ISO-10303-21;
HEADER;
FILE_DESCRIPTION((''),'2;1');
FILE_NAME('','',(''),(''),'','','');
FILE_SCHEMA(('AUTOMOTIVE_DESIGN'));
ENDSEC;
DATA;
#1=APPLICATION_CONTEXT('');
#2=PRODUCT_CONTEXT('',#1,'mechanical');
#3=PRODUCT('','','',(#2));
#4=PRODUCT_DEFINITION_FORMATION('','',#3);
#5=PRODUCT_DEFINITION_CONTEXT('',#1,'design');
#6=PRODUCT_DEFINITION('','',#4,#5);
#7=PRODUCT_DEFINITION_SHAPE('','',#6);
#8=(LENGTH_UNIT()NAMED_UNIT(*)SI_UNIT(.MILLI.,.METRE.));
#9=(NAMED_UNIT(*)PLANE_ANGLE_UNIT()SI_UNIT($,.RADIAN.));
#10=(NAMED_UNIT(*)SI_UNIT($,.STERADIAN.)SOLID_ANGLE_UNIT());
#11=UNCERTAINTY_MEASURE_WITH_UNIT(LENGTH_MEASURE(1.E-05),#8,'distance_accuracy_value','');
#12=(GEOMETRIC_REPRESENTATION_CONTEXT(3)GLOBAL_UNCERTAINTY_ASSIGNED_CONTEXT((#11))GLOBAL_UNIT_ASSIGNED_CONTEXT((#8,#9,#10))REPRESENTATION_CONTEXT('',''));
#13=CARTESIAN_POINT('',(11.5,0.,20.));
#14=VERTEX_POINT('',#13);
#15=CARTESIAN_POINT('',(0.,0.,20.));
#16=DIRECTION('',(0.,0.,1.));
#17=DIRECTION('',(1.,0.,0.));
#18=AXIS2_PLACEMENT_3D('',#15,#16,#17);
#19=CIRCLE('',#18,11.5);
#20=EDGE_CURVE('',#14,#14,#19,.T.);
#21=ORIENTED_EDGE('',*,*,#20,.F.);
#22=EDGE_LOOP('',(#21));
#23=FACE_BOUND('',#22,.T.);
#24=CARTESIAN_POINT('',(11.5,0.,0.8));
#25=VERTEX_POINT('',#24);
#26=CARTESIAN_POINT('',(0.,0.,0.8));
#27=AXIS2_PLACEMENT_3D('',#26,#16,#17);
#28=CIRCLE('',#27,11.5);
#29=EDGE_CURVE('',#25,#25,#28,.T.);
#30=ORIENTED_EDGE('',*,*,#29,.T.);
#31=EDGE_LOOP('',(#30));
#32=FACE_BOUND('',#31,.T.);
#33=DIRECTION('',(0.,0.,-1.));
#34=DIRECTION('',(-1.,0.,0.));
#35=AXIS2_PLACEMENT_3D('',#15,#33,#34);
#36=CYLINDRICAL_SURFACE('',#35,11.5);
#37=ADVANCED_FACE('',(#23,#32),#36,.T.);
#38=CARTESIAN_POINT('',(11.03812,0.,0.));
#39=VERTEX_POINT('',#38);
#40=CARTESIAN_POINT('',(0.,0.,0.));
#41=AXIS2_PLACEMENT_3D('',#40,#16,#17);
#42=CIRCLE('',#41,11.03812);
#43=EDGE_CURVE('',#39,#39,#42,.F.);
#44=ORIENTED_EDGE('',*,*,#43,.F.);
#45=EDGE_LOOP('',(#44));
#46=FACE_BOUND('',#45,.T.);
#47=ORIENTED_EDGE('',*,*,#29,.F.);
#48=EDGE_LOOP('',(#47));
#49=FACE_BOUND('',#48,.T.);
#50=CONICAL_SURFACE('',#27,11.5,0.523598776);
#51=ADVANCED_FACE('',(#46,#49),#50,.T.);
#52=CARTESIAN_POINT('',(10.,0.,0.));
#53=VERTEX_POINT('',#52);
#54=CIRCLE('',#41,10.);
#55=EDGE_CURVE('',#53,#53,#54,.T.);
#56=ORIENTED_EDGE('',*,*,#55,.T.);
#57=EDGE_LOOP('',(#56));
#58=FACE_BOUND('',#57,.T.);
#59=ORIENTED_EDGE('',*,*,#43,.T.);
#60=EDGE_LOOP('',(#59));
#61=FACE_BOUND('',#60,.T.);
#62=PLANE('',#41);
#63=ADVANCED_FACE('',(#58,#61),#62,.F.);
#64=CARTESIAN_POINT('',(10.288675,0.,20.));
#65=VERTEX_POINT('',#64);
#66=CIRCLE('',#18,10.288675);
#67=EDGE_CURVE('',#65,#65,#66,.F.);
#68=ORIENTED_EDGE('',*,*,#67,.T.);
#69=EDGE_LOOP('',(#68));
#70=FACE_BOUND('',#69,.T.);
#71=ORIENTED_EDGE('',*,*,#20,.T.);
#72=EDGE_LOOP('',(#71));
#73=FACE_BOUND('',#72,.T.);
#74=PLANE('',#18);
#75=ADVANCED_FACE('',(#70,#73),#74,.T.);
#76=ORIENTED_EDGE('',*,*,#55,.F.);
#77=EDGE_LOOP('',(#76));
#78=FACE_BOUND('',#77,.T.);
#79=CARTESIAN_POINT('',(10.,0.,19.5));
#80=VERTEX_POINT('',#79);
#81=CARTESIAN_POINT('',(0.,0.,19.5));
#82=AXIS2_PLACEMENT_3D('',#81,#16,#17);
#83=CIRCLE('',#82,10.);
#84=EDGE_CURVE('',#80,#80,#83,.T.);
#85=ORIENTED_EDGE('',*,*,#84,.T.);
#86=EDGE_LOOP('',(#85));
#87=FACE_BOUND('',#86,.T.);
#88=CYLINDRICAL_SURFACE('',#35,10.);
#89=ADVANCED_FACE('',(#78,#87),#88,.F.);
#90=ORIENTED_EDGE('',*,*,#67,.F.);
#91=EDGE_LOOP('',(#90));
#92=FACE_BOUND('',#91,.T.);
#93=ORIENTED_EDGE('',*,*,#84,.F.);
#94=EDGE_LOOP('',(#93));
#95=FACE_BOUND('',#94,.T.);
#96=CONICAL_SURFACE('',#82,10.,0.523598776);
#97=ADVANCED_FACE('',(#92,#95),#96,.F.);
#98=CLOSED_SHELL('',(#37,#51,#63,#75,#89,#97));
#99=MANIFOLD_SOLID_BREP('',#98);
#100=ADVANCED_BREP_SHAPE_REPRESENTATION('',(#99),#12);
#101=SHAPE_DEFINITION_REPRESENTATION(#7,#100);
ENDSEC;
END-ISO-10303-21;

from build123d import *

# Parameters (mm, degrees)
SKICA1_R        = 11.5
SKICA1_R_2      = 10
VYSUNOUT1_DEPTH = 20
ZKOSIT1_SIZE    = 0.5
ZKOSIT1_SIZE2   = 0.288675135
ZKOSIT2_SIZE    = 0.461880215
ZKOSIT2_SIZE2   = 0.8


with BuildPart() as part:
    # Skica1 → Vysunout1 (new body)
    with BuildSketch(Plane.XY):
        Circle(SKICA1_R)
        Circle(SKICA1_R_2, mode=Mode.SUBTRACT)
    extrude(amount=VYSUNOUT1_DEPTH)

    # Zkosit1
    zkosit1_edges = [part.edges().sort_by_distance(p)[0] for p in [
        (-10, 0, 20),
    ]]
    zkosit1_side = [part.faces().sort_by_distance(p)[0] for p in [
        (-10, 0, 10),
    ]]
    chamfer(zkosit1_edges, length=ZKOSIT1_SIZE, length2=ZKOSIT1_SIZE2, reference=zkosit1_side[0])

    # Zkosit2
    zkosit2_edges = [part.edges().sort_by_distance(p)[0] for p in [
        (-11.5, 0, 0),
    ]]
    zkosit2_side = [part.faces().sort_by_distance(p)[0] for p in [
        (-11.174730881, 0, 0),
    ]]
    chamfer(zkosit2_edges, length=ZKOSIT2_SIZE, length2=ZKOSIT2_SIZE2, reference=zkosit2_side[0])


solid = part.part
